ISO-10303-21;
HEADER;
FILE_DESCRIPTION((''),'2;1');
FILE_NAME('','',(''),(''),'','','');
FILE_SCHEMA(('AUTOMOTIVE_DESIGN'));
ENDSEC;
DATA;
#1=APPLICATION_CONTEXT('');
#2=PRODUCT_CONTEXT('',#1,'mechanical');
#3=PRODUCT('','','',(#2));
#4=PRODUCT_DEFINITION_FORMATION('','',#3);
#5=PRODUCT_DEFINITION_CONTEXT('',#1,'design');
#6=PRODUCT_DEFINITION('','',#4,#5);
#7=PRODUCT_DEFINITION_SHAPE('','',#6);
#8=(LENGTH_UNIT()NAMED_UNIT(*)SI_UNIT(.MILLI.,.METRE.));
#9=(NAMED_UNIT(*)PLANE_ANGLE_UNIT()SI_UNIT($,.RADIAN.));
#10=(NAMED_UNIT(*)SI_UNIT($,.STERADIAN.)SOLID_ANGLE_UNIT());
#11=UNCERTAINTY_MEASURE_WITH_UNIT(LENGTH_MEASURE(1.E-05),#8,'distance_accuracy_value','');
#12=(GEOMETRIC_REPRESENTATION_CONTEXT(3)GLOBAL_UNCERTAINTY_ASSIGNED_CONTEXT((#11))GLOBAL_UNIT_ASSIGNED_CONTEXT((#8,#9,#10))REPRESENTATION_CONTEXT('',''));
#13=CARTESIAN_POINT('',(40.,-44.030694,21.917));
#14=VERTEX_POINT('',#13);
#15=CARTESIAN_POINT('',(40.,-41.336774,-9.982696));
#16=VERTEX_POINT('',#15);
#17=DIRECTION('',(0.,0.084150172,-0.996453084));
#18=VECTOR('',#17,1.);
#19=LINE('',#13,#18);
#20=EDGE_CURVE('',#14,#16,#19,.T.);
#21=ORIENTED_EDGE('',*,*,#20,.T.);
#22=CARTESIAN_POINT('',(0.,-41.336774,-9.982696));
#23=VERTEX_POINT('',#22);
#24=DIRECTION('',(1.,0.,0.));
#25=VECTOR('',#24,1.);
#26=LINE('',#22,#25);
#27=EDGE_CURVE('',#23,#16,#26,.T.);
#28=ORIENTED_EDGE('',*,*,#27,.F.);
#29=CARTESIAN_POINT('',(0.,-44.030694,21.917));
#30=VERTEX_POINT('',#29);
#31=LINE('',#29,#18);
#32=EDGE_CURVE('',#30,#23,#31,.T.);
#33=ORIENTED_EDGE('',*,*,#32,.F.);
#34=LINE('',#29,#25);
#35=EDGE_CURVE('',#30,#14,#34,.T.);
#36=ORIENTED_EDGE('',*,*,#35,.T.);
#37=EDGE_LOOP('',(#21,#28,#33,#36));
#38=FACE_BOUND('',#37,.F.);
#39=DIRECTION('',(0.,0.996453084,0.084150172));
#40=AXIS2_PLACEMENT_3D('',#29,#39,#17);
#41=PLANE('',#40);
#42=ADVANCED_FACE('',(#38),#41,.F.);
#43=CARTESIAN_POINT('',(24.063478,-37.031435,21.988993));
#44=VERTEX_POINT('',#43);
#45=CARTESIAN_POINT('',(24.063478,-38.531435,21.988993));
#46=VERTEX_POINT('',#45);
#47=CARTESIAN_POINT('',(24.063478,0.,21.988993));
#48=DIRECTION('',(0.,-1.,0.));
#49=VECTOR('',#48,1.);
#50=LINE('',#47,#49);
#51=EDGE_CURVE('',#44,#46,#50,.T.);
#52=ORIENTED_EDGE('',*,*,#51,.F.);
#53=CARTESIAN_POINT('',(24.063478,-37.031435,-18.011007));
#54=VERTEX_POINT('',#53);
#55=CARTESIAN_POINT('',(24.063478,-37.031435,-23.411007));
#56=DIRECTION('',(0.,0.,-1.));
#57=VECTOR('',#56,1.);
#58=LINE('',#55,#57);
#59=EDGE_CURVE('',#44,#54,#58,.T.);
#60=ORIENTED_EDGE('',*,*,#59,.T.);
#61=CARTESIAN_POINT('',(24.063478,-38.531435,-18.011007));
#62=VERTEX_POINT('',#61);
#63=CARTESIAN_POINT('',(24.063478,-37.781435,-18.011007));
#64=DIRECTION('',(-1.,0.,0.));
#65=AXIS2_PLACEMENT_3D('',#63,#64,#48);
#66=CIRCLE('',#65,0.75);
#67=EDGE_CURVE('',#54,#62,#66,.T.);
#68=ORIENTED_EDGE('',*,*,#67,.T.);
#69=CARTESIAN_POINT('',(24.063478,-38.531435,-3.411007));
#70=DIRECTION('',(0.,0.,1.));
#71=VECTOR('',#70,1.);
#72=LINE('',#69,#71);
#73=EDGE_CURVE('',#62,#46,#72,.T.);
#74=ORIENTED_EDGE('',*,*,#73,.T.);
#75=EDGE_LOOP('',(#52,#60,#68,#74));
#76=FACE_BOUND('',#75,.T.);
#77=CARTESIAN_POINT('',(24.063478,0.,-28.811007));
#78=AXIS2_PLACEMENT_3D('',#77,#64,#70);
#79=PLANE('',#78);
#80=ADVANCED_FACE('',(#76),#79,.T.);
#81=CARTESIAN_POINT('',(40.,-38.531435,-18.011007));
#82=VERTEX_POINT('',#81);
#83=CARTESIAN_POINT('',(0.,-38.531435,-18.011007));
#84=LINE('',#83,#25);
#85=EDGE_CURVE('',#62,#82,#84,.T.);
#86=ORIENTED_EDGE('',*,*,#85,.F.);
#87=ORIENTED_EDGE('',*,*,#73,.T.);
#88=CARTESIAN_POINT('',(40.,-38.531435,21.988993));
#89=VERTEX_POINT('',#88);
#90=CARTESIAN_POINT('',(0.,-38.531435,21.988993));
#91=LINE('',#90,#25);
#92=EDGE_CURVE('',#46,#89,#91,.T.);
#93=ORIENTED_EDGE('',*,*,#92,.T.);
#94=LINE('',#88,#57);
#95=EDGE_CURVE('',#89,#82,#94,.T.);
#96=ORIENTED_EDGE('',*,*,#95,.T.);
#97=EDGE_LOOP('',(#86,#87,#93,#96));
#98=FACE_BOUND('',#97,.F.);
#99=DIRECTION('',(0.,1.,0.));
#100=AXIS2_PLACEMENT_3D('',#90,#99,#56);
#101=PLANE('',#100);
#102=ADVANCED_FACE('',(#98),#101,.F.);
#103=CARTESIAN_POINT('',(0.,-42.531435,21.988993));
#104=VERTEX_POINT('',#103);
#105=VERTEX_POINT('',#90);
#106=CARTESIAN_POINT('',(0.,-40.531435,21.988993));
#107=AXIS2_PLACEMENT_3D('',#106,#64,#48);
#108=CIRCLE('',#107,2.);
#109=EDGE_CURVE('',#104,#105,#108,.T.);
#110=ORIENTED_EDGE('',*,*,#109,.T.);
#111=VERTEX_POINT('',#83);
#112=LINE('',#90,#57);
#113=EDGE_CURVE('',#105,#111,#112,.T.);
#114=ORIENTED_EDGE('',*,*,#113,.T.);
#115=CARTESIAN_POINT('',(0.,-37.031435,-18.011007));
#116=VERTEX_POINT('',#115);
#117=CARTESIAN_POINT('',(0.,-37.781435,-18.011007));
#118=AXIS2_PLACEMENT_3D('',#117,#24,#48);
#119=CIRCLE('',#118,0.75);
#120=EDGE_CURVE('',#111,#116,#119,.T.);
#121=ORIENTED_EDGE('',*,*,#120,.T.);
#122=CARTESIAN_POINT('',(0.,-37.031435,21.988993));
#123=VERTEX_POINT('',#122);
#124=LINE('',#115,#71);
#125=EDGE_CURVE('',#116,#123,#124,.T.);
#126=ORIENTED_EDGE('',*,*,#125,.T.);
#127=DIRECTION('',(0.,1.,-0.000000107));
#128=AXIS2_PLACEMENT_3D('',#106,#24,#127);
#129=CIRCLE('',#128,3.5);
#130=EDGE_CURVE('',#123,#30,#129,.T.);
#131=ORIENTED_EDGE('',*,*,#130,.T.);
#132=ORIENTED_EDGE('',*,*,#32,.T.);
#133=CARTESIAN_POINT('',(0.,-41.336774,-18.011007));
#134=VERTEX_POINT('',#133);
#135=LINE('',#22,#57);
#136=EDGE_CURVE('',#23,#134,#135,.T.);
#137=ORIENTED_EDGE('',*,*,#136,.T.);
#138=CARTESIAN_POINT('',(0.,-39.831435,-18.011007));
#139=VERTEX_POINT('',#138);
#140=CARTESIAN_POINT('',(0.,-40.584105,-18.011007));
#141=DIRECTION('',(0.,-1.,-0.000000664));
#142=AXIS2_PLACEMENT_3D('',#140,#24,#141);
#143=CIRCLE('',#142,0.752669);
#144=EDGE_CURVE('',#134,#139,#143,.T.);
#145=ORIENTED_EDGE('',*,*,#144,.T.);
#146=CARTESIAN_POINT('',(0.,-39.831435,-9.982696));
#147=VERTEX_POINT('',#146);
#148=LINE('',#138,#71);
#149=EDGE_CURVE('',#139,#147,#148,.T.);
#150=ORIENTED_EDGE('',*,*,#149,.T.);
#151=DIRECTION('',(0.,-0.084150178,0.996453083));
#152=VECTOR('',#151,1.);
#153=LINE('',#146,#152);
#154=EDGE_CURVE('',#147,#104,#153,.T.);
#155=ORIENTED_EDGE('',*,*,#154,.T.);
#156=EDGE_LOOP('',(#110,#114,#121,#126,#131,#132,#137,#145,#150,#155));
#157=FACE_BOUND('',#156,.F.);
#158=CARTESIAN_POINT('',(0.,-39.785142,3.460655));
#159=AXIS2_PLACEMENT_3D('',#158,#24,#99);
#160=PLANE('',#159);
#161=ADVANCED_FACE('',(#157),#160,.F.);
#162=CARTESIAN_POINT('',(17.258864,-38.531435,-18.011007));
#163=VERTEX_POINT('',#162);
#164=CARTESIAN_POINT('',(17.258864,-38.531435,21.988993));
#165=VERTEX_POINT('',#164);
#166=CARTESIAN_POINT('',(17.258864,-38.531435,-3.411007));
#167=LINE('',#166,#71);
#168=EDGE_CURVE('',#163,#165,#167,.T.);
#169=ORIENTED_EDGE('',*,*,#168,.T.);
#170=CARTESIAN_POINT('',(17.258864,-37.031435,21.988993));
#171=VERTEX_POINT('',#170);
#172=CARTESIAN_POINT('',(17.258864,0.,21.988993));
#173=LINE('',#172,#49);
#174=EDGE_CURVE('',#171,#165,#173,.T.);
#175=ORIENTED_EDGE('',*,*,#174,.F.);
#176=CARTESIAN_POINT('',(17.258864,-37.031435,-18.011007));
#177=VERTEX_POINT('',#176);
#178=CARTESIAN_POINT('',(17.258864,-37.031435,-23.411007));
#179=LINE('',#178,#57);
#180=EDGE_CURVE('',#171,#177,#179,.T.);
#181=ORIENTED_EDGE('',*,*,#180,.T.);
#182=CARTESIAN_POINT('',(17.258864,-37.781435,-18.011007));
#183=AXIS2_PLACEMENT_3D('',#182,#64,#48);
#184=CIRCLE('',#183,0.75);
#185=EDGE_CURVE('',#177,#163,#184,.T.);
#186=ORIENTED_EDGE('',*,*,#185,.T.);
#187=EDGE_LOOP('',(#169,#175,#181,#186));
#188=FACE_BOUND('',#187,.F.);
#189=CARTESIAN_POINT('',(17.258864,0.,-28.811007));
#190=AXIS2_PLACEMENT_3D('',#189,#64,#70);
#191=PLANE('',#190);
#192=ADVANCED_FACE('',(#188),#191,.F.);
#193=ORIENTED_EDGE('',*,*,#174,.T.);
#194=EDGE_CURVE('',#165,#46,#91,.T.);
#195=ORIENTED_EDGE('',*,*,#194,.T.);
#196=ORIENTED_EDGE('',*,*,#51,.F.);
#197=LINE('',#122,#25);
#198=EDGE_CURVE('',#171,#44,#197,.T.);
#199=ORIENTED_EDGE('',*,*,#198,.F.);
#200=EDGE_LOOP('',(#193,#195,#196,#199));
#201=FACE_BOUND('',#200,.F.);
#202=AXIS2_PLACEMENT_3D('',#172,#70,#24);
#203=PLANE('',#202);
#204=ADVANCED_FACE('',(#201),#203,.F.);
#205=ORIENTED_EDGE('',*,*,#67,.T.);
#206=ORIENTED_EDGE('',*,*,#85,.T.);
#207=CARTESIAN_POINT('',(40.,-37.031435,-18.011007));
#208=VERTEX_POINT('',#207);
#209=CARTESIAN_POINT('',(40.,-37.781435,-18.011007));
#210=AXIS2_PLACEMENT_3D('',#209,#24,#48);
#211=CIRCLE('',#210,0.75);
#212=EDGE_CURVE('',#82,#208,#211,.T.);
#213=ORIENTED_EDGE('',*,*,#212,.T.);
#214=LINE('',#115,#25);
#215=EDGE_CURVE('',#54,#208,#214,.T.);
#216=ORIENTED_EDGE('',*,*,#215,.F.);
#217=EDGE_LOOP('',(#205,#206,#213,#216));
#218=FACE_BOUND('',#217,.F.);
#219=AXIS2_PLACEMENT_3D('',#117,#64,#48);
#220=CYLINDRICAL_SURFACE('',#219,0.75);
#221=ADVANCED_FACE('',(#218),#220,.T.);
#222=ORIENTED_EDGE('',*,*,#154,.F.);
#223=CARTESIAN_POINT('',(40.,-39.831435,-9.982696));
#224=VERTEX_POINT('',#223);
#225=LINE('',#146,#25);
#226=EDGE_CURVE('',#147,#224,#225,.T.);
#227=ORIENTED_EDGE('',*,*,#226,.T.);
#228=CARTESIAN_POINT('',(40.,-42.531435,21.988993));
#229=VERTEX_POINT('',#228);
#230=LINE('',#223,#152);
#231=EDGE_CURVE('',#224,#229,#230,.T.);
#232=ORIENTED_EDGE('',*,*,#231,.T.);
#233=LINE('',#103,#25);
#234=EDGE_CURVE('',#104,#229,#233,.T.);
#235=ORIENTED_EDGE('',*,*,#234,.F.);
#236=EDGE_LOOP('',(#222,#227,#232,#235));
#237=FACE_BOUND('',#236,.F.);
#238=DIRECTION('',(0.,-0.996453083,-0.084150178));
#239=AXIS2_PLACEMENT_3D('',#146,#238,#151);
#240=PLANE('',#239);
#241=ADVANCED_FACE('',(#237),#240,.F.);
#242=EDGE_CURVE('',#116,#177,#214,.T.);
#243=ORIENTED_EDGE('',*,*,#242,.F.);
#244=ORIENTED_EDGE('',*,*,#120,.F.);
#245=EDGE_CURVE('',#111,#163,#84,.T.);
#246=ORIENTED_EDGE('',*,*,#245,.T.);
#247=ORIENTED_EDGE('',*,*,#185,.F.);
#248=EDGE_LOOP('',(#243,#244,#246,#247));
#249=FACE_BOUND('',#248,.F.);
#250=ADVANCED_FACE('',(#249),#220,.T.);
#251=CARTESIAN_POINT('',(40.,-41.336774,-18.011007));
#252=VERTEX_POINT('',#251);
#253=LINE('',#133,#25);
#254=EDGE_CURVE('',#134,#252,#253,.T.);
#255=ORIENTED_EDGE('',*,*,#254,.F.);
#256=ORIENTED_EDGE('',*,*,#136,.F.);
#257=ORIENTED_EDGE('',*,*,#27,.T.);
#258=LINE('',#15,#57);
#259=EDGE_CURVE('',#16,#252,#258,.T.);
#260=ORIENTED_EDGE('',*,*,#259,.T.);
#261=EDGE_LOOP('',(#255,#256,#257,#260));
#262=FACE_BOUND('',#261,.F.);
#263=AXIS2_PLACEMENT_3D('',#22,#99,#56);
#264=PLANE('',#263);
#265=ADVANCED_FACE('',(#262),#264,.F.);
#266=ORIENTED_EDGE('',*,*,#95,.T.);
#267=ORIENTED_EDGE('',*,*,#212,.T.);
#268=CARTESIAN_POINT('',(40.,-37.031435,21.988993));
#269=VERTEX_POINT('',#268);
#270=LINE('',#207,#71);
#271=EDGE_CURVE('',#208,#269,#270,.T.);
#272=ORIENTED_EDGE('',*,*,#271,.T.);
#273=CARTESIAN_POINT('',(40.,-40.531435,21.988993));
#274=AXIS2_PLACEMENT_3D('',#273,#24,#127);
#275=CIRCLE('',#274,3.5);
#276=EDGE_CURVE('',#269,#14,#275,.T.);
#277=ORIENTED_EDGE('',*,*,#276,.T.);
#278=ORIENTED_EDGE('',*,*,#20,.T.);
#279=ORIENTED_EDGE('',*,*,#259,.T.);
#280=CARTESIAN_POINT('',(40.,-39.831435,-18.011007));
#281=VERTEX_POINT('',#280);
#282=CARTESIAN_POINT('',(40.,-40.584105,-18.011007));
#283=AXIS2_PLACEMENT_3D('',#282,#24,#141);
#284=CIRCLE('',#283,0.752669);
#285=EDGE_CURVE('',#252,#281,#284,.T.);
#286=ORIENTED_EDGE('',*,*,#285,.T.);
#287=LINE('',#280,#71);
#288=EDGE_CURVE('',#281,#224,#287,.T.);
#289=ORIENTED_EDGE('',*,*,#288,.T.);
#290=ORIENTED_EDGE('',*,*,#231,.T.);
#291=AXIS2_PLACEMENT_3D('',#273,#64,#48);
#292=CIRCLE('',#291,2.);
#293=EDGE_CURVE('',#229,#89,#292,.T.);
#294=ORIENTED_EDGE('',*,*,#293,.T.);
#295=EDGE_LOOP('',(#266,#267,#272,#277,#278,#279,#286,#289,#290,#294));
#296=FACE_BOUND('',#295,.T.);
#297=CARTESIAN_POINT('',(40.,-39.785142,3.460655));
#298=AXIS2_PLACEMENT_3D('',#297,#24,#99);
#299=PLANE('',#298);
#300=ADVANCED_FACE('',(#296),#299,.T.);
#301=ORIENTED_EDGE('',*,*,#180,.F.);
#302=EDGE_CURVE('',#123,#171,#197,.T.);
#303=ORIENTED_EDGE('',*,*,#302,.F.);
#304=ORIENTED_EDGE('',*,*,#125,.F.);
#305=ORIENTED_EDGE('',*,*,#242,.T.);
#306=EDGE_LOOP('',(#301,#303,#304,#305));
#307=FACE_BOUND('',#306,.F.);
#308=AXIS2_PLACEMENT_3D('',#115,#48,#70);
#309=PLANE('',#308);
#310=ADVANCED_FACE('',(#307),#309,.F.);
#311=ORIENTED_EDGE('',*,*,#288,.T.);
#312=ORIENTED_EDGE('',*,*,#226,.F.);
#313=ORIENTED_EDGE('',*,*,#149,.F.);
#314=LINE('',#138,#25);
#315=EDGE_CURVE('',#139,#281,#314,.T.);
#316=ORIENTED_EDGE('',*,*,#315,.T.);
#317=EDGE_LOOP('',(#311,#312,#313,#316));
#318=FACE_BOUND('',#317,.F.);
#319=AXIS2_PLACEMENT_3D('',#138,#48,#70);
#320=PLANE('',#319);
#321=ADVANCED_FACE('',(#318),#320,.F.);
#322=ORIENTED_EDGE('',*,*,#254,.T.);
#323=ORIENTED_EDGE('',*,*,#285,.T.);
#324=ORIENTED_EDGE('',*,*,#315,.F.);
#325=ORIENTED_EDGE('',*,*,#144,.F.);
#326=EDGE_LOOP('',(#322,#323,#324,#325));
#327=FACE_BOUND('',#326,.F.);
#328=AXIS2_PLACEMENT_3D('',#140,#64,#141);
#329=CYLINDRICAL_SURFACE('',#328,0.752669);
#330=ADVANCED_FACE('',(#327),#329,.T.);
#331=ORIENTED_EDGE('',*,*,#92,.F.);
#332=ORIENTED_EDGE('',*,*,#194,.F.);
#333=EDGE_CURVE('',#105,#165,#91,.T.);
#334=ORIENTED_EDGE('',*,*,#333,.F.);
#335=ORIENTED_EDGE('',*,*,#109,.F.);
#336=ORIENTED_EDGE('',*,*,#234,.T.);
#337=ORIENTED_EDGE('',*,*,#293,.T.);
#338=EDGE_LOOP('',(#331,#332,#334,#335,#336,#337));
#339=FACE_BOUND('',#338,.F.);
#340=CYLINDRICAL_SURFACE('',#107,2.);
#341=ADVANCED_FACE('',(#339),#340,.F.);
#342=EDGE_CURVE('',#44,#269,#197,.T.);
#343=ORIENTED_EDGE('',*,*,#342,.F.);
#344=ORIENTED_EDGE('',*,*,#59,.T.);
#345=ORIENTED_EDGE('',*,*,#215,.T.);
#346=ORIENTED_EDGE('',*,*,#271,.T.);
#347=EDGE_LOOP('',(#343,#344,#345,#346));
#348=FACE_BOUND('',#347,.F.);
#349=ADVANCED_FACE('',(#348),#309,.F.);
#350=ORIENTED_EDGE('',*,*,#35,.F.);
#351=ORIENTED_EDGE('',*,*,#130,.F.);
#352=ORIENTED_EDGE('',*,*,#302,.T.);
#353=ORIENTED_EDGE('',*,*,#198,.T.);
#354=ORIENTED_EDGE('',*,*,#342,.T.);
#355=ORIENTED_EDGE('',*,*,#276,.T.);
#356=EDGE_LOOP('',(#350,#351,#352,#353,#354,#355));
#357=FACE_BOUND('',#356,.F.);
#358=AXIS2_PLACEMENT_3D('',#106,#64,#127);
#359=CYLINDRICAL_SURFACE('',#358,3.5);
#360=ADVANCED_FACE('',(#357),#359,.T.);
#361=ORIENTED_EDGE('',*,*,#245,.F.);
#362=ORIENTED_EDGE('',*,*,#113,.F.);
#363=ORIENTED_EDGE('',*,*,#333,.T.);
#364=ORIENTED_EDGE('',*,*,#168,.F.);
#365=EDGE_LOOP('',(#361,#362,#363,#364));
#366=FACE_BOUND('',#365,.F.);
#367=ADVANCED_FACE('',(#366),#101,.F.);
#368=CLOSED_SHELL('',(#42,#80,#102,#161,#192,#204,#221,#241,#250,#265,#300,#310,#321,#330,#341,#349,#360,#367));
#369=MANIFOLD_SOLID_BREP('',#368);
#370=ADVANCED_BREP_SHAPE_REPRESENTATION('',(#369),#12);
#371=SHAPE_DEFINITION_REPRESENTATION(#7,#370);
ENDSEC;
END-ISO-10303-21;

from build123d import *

# Parameters (mm, degrees)
F1_DEPTH = 40
F2_W     = 6.804615
F2_H     = 50.8
F3_DEPTH = 39.5


with BuildPart() as f1:
    # F0 (on Right) → F1 (new body)
    with BuildSketch(Plane.YZ):
        with BuildLine():
            Line((-38.531435, 21.988993), (-38.531435, -18.011007))
            ThreePointArc((-38.531435, -18.011007), (-37.781435, -18.761007), (-37.031435, -18.011007))
            Line((-37.031435, -18.011007), (-37.031435, 21.988993))
            ThreePointArc((-37.031435, 21.988993), (-40.567433, 25.488808), (-44.030694, 21.917))
            Line((-44.030694, 21.917), (-41.336774, -9.982696))
            Line((-41.336774, -9.982696), (-41.336774, -18.011007))
            ThreePointArc((-41.336774, -18.011007), (-40.584104, -18.763676), (-39.831435, -18.011007))
            Line((-39.831435, -18.011007), (-39.831435, -9.982696))
            Line((-39.831435, -9.982696), (-42.531435, 21.988993))
            ThreePointArc((-42.531435, 21.988993), (-40.531435, 23.988993), (-38.531435, 21.988993))
        make_face()
    extrude(amount=F1_DEPTH)

    # F2 (on Front) → F3 (cut)
    with BuildSketch(Plane.XZ):
        with Locations((20.661171, -3.411007)):
            Rectangle(F2_W, F2_H)
    extrude(amount=F3_DEPTH, mode=Mode.SUBTRACT)


solid = f1.part
